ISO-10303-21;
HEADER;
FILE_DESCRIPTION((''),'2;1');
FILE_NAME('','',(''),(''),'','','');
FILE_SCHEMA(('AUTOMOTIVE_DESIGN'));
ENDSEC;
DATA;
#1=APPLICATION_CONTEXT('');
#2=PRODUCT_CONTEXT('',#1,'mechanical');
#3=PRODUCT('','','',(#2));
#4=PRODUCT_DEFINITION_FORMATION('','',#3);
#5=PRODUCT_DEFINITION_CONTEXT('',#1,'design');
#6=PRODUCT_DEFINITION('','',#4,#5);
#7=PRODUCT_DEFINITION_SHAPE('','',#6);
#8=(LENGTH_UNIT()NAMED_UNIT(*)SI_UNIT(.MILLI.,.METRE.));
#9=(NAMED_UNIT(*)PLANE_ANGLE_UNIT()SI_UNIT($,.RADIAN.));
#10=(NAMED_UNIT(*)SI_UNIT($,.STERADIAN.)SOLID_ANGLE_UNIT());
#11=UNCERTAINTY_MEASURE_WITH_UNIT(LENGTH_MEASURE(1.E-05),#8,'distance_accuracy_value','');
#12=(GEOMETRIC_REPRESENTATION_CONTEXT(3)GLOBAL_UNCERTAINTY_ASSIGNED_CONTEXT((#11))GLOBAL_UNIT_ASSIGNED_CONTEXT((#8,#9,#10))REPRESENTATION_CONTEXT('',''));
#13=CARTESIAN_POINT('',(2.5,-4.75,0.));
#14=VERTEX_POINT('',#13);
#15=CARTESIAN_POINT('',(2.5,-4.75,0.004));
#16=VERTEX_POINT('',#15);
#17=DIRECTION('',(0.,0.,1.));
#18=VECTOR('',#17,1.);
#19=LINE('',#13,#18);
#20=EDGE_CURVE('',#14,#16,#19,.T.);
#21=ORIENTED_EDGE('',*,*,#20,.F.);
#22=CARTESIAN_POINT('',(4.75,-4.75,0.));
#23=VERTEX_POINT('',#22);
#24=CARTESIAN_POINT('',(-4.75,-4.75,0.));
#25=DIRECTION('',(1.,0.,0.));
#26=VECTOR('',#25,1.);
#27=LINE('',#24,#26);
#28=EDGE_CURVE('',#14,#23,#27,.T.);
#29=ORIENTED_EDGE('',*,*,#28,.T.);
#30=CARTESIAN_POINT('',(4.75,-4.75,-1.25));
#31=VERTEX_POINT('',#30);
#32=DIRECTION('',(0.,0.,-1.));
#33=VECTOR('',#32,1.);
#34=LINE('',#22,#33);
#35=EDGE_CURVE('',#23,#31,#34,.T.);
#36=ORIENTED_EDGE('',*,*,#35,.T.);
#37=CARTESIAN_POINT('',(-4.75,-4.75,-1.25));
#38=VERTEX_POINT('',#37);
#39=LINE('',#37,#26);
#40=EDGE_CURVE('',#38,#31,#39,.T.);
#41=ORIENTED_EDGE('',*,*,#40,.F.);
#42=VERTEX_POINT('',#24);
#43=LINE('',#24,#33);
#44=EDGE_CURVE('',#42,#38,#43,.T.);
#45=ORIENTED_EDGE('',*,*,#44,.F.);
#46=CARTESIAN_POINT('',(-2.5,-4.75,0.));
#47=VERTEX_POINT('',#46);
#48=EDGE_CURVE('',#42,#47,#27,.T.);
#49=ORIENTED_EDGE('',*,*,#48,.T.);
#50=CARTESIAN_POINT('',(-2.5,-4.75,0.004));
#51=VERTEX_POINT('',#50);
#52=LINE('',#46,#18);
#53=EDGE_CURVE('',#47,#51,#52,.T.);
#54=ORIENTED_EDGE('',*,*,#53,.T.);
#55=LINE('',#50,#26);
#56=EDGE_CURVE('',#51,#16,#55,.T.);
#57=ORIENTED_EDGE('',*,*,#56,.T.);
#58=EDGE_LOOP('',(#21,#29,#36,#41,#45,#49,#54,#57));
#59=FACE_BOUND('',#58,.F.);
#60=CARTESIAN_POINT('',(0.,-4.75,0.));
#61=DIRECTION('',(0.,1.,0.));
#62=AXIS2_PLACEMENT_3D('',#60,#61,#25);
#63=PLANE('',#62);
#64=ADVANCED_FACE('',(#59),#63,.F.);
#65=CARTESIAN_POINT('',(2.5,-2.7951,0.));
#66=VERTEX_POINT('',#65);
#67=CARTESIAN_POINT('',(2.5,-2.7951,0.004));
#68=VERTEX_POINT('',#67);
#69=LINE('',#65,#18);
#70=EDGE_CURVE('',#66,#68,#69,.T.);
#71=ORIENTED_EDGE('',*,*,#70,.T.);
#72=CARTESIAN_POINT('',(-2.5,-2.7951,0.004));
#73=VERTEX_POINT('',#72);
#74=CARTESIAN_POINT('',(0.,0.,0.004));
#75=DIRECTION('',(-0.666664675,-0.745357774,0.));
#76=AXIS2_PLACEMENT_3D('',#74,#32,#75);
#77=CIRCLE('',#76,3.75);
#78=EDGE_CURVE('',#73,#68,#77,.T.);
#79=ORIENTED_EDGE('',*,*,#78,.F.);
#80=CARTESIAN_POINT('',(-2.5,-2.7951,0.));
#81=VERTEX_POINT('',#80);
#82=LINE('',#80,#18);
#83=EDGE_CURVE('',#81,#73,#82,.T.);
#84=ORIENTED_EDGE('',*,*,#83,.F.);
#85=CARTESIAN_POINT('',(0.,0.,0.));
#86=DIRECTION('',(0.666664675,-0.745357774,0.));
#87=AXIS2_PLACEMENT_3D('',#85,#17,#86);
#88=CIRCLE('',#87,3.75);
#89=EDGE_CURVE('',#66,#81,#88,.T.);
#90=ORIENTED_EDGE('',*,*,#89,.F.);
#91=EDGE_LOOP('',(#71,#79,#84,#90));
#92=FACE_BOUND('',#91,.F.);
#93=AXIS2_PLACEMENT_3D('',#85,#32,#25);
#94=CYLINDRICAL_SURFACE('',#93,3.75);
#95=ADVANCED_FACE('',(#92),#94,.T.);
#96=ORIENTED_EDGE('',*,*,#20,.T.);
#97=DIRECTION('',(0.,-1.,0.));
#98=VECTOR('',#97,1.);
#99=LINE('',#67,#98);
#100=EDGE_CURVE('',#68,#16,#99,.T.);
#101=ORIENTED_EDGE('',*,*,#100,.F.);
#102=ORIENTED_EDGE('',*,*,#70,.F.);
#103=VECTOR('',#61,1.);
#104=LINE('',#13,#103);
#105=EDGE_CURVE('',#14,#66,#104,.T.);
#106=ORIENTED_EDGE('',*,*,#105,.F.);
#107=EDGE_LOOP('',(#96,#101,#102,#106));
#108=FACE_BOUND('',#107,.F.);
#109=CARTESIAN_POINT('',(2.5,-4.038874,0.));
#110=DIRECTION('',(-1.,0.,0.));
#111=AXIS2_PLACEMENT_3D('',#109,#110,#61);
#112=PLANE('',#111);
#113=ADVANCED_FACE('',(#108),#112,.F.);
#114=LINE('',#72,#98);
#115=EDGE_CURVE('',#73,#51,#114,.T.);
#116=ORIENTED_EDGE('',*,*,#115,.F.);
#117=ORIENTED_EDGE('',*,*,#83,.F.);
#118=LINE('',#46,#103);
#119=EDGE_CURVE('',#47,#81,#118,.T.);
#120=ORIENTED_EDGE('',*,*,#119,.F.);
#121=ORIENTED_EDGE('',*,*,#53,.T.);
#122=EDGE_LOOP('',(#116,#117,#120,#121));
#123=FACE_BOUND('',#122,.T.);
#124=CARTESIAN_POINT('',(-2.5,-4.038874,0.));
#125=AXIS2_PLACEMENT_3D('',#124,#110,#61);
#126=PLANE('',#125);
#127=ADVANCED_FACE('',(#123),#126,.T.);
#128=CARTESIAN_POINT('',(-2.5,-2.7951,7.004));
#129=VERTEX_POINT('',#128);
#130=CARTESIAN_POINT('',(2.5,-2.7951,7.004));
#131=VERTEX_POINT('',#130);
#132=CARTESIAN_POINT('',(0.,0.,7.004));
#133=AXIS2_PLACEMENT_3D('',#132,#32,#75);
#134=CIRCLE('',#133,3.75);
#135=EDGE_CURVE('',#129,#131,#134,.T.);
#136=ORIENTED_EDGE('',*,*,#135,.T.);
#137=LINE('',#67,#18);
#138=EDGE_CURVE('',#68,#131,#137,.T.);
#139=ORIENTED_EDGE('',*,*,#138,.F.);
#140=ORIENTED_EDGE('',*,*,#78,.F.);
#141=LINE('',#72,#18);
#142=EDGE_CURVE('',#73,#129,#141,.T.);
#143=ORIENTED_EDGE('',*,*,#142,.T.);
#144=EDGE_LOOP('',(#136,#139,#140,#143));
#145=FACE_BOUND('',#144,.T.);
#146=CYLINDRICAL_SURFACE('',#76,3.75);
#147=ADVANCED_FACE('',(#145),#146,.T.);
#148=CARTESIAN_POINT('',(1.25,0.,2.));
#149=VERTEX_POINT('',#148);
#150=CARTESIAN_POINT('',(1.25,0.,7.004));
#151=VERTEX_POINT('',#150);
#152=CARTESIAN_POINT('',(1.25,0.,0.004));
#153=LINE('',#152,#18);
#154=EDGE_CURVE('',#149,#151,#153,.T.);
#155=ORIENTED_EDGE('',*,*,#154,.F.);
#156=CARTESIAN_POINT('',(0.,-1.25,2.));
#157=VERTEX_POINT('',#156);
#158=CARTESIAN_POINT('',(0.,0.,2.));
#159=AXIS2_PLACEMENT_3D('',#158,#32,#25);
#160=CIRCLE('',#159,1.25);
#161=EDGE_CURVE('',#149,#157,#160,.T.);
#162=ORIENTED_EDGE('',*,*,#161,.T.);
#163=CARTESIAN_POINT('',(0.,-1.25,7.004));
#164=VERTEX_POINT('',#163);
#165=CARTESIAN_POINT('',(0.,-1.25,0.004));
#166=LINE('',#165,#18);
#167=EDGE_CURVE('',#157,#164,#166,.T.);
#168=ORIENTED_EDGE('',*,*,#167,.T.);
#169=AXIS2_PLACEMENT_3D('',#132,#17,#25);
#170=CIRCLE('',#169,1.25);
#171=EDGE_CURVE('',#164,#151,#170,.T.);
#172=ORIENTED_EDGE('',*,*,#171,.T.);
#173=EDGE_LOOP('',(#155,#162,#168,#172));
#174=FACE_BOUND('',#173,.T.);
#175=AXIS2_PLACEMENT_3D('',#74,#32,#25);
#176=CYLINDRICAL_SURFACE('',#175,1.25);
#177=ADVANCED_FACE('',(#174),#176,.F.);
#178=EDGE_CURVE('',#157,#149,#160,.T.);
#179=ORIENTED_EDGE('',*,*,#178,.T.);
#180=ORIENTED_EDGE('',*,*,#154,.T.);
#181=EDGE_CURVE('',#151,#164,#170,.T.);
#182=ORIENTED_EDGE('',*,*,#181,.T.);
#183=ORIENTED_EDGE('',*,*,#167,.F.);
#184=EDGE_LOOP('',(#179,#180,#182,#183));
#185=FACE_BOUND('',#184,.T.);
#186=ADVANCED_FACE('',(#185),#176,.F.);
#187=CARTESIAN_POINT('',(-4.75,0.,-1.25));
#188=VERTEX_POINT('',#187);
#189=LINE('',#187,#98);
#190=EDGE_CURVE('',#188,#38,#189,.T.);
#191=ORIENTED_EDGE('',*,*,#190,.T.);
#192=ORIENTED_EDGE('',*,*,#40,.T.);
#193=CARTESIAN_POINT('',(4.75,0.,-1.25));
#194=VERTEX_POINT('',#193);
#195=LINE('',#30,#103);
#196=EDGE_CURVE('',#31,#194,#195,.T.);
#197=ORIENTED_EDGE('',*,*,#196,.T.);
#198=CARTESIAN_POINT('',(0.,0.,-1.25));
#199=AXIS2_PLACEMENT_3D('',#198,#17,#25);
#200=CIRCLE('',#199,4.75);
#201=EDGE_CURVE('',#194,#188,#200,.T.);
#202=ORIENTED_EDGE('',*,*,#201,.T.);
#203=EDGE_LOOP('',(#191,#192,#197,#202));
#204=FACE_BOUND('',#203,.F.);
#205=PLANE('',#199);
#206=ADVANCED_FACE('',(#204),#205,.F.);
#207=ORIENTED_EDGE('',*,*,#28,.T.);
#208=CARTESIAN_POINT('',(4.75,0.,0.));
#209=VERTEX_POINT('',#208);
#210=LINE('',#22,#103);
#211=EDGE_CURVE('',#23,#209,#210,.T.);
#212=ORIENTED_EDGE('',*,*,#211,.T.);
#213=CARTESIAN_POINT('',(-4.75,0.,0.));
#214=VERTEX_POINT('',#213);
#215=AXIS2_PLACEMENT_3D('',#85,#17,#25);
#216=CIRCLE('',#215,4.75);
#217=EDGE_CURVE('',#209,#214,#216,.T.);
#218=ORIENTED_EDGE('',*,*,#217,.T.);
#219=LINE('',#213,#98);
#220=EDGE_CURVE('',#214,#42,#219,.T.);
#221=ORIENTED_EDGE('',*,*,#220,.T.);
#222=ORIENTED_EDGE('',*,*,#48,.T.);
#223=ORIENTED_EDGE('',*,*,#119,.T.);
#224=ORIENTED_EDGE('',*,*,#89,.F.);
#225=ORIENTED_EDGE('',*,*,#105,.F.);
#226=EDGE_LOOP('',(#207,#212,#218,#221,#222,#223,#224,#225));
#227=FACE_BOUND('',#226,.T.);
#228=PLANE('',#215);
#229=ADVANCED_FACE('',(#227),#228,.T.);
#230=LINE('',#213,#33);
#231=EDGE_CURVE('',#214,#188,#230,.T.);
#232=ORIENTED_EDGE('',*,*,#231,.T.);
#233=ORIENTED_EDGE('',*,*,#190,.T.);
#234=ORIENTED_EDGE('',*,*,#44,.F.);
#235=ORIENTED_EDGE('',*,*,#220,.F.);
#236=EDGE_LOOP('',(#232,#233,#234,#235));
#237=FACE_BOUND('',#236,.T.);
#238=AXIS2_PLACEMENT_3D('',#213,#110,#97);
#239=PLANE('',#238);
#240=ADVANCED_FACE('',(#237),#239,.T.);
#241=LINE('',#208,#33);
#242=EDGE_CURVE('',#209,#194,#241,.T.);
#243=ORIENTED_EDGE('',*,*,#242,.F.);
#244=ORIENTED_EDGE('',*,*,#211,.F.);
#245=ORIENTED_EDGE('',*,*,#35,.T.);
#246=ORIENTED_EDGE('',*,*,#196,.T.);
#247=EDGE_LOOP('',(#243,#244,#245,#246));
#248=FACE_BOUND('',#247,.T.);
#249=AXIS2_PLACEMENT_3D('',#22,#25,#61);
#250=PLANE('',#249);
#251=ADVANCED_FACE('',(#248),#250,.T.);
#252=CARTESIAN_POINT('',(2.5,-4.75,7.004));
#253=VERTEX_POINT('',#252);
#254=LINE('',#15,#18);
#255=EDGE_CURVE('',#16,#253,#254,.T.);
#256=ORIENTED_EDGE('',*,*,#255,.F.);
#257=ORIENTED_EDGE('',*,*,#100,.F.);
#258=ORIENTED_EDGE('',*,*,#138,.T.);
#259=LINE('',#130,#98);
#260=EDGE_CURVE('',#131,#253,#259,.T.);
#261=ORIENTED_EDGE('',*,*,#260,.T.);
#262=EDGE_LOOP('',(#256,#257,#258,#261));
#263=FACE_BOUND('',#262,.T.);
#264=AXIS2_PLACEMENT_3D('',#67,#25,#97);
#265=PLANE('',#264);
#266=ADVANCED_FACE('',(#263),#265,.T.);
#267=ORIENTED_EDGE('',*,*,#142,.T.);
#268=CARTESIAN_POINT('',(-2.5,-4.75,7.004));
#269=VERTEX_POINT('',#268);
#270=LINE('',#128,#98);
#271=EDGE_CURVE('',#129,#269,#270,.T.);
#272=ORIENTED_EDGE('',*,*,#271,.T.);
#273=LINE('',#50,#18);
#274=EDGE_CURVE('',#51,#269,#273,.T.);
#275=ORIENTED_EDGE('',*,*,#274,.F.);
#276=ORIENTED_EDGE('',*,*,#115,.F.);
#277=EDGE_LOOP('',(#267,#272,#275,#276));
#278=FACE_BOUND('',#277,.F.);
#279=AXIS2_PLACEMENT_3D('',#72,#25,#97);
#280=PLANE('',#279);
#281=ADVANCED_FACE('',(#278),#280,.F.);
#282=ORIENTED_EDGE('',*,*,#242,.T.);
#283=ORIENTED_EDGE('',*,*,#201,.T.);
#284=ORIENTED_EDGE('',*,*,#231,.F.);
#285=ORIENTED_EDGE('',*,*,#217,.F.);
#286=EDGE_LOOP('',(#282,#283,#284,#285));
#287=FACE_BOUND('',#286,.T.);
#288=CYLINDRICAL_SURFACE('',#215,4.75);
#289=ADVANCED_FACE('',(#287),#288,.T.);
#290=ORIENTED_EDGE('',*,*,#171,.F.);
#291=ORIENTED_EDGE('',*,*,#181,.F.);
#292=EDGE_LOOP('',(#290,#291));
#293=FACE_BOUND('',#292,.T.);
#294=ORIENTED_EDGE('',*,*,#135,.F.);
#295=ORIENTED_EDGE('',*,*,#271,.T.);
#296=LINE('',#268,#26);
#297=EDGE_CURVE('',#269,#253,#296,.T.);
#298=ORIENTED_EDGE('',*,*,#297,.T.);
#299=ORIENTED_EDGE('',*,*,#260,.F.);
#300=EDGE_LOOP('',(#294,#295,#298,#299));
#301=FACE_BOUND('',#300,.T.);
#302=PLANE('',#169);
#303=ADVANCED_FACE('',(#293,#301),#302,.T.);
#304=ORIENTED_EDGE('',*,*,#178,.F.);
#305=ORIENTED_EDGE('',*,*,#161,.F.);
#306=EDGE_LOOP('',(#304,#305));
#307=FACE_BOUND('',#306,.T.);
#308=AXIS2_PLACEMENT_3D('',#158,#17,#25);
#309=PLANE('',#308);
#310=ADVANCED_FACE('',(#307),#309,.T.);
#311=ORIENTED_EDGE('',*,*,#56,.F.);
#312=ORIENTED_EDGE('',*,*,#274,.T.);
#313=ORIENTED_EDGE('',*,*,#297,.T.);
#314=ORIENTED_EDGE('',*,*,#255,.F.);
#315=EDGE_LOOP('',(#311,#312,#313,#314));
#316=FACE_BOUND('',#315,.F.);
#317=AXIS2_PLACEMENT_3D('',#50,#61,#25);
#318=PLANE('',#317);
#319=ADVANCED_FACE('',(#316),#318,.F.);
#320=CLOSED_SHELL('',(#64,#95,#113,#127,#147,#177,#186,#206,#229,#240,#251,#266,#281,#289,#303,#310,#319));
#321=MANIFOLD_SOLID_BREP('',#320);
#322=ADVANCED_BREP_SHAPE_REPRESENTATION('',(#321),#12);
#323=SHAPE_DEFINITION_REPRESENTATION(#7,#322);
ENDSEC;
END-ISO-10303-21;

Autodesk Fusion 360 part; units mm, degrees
sketch "Sketch1" plane through (0, 0, 0) normal (0, 0, 1) x (1, 0, 0)
  circle A0 centre (0, 0) radius 3.75
  circle A1 centre (0, 0) radius 1.25
  circle A2 centre (0, 0) radius 4.75
  line L0 (0, 0) -> (0, -4.75)
  line L1 (0, -4.75) -> (2.5, -4.75)
  line L2 (0, -4.75) -> (-2.5, -4.75)
  line L3 (2.5, -4.75) -> (2.5, -2.7951)
  line L4 (-2.5, -4.75) -> (-2.5, -2.7951)
  line L5 (2.5, -4.75) -> (4.75, -4.75)
  line L6 (4.75, -4.75) -> (4.75, 0)
  line L7 (-4.75, 0) -> (-4.75, -4.75)
  line L8 (-4.75, -4.75) -> (-2.5, -4.75)
  dimension "d1" = 7.5
  dimension "d2" = 2.5
  dimension "d3" = 9.5
  dimension "d4" = 2.5
  dimension "d5" = 2.5
  dimension "d10" = 2.25
extrude "Extrude1" add sketch "Sketch1" along normal blind 5 contours A0 | A0 A2 L0 L4 | A0 A2 L0 L3 | A2 L2 L4 | A2 L1 L3
extrude "Extrude2" add sketch "Sketch1" along normal blind 2 contours A1
extrude "Extrude3" add sketch "Sketch1" against normal blind 1.25 contours A1 | A0 | A0 A2 L3 L4 | A0 A2 L0 L4 | A0 A2 L0 L3 | A2 L4 L7 L8 | A2 L2 L4 | A2 L1 L3 | A2 L3 L5 L6
extrude "Extrude4" add 1 faces at (-0.9543, -2.5804, 5) along direction (0, 0, 1) blind 6.444
extrude "Extrude5" cut 1 faces at (-0.9543, -2.5804, 11.444) along direction (0, 0, -1) blind 11.44
extrude "Extrude6" add 1 faces at (-0.9543, -2.5804, 0.004) along direction (0, 0, 1) blind 7
